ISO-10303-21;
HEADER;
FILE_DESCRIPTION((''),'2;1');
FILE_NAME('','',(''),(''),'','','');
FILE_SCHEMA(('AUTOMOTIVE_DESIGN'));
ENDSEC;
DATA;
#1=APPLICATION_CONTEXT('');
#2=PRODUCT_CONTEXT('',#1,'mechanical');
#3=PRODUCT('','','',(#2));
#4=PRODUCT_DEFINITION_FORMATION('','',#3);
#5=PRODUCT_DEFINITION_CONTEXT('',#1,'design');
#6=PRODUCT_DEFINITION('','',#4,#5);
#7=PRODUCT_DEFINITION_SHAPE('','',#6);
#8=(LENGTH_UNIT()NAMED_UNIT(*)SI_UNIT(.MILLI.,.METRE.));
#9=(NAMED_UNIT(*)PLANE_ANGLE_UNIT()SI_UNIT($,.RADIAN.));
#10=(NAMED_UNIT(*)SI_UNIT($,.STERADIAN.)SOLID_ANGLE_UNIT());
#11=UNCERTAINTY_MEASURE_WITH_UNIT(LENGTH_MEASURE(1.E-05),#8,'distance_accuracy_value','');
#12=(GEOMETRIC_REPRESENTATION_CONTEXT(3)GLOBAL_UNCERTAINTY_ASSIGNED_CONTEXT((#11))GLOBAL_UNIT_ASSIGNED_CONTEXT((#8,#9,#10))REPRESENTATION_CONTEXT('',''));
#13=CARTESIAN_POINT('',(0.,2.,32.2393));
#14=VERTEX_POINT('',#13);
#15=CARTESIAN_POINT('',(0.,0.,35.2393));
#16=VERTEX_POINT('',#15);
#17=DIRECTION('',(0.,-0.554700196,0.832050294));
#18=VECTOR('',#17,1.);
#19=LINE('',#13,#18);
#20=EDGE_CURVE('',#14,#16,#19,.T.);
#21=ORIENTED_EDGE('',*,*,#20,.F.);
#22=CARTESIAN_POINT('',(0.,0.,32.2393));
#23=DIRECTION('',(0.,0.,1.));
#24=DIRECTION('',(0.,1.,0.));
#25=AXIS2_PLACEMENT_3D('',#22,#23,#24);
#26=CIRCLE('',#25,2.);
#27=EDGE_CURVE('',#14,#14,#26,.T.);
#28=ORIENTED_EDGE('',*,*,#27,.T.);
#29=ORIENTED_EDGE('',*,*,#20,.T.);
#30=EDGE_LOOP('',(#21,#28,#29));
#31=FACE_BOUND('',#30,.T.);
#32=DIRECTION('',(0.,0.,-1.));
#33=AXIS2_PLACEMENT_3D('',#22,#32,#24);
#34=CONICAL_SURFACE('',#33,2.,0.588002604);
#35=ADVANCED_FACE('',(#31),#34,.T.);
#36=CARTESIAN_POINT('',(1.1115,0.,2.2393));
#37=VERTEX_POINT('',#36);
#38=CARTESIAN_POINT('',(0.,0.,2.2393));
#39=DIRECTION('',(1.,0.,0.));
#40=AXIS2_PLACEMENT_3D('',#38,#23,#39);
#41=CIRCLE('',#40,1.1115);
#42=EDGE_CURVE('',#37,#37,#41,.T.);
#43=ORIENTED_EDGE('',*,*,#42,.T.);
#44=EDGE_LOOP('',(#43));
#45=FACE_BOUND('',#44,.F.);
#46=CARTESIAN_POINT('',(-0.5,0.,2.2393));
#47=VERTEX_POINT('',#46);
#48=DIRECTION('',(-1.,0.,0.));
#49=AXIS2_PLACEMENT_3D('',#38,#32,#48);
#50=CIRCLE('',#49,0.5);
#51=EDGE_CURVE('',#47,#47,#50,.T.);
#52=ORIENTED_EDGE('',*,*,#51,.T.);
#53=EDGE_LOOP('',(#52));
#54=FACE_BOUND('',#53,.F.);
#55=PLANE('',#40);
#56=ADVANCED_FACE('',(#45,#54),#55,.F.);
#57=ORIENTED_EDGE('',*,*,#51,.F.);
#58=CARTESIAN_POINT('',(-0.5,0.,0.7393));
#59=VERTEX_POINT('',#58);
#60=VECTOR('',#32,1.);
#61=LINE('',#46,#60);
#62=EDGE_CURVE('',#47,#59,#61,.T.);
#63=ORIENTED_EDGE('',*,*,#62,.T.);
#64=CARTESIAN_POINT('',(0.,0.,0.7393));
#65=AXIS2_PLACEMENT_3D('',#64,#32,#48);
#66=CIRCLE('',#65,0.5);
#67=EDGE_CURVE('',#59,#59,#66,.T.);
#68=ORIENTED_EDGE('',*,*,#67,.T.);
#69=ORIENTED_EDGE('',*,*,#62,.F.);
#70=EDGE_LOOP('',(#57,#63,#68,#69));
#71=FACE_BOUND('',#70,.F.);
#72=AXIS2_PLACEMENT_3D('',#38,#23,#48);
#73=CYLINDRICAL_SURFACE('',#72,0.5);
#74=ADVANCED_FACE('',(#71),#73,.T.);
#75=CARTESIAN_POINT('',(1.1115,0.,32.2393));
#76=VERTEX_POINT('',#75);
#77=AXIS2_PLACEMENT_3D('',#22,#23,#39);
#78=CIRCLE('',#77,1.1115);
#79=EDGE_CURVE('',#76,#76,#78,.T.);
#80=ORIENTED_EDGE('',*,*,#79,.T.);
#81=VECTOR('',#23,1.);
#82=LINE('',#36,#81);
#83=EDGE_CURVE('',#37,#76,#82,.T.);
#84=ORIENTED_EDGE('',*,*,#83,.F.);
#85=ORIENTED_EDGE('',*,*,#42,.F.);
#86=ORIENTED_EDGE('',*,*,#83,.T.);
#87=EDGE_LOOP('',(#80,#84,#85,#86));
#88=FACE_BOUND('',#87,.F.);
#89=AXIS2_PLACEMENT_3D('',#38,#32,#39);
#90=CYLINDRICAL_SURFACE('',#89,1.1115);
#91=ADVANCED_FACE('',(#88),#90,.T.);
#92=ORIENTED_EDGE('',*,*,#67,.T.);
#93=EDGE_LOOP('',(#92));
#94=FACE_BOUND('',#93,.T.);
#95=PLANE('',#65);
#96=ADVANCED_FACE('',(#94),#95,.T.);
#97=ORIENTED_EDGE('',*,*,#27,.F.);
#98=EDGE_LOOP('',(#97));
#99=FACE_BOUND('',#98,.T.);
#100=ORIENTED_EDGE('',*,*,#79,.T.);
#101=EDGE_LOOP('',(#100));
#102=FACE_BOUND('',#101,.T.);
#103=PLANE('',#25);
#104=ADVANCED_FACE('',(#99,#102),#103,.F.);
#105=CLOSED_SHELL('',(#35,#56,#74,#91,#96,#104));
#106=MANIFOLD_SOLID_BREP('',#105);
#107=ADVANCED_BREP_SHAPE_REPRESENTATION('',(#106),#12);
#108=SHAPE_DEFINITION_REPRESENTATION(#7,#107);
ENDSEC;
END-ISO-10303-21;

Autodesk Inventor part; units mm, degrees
ref_plane "Arbeitsebene1" through (0, 0, 0) normal (-1, 0, 0) x (0, -1, 0)
ref_plane "Arbeitsebene7" through (0, 0, 2.2393) normal (0, 0, 1) x (1, 0, 0)
sketch "Skizze6" plane through (0, 0, 2.2393) normal (0, 0, 1) x (1, 0, 0)
  circle A0 centre (0, 0) radius 1.1115
extrude "Extrusion6" add sketch "Skizze6" along normal blind 30
ref_plane "Arbeitsebene10" through (0, 0, 32.2393) normal (-1, 0, 0) x (0, 0, 1)
sketch "Skizze8" plane through (0, 0, 32.2393) normal (-1, 0, 0) x (0, 0, 1)
  line L0 (0, 0) -> (3, 0)
  line L1 (0, 0) -> (0, 2)
  line L2 (0, 2) -> (3, 0)
  line L3 (-42.2872, 0) -> (10.5479, 0) projected
  point P0 (-32.2393, 0)
  dimension "d17" = 3
  dimension "d18" = 2
revolve "Umdrehung2" add sketch "Skizze8" angle 360 about axis through (0, 0, 32.2393) along (0, 0, 1)
sketch "Skizze11" plane through (0, 0, 2.2393) normal (0, 0, -1) x (-1, 0, 0)
  circle A0 centre (0, 0) radius 0.5
  dimension "d26" = 1
extrude "Extrusion7" add sketch "Skizze11" along normal blind 1.5
properties part number "xyz_Axis_with_ball_Axis"
